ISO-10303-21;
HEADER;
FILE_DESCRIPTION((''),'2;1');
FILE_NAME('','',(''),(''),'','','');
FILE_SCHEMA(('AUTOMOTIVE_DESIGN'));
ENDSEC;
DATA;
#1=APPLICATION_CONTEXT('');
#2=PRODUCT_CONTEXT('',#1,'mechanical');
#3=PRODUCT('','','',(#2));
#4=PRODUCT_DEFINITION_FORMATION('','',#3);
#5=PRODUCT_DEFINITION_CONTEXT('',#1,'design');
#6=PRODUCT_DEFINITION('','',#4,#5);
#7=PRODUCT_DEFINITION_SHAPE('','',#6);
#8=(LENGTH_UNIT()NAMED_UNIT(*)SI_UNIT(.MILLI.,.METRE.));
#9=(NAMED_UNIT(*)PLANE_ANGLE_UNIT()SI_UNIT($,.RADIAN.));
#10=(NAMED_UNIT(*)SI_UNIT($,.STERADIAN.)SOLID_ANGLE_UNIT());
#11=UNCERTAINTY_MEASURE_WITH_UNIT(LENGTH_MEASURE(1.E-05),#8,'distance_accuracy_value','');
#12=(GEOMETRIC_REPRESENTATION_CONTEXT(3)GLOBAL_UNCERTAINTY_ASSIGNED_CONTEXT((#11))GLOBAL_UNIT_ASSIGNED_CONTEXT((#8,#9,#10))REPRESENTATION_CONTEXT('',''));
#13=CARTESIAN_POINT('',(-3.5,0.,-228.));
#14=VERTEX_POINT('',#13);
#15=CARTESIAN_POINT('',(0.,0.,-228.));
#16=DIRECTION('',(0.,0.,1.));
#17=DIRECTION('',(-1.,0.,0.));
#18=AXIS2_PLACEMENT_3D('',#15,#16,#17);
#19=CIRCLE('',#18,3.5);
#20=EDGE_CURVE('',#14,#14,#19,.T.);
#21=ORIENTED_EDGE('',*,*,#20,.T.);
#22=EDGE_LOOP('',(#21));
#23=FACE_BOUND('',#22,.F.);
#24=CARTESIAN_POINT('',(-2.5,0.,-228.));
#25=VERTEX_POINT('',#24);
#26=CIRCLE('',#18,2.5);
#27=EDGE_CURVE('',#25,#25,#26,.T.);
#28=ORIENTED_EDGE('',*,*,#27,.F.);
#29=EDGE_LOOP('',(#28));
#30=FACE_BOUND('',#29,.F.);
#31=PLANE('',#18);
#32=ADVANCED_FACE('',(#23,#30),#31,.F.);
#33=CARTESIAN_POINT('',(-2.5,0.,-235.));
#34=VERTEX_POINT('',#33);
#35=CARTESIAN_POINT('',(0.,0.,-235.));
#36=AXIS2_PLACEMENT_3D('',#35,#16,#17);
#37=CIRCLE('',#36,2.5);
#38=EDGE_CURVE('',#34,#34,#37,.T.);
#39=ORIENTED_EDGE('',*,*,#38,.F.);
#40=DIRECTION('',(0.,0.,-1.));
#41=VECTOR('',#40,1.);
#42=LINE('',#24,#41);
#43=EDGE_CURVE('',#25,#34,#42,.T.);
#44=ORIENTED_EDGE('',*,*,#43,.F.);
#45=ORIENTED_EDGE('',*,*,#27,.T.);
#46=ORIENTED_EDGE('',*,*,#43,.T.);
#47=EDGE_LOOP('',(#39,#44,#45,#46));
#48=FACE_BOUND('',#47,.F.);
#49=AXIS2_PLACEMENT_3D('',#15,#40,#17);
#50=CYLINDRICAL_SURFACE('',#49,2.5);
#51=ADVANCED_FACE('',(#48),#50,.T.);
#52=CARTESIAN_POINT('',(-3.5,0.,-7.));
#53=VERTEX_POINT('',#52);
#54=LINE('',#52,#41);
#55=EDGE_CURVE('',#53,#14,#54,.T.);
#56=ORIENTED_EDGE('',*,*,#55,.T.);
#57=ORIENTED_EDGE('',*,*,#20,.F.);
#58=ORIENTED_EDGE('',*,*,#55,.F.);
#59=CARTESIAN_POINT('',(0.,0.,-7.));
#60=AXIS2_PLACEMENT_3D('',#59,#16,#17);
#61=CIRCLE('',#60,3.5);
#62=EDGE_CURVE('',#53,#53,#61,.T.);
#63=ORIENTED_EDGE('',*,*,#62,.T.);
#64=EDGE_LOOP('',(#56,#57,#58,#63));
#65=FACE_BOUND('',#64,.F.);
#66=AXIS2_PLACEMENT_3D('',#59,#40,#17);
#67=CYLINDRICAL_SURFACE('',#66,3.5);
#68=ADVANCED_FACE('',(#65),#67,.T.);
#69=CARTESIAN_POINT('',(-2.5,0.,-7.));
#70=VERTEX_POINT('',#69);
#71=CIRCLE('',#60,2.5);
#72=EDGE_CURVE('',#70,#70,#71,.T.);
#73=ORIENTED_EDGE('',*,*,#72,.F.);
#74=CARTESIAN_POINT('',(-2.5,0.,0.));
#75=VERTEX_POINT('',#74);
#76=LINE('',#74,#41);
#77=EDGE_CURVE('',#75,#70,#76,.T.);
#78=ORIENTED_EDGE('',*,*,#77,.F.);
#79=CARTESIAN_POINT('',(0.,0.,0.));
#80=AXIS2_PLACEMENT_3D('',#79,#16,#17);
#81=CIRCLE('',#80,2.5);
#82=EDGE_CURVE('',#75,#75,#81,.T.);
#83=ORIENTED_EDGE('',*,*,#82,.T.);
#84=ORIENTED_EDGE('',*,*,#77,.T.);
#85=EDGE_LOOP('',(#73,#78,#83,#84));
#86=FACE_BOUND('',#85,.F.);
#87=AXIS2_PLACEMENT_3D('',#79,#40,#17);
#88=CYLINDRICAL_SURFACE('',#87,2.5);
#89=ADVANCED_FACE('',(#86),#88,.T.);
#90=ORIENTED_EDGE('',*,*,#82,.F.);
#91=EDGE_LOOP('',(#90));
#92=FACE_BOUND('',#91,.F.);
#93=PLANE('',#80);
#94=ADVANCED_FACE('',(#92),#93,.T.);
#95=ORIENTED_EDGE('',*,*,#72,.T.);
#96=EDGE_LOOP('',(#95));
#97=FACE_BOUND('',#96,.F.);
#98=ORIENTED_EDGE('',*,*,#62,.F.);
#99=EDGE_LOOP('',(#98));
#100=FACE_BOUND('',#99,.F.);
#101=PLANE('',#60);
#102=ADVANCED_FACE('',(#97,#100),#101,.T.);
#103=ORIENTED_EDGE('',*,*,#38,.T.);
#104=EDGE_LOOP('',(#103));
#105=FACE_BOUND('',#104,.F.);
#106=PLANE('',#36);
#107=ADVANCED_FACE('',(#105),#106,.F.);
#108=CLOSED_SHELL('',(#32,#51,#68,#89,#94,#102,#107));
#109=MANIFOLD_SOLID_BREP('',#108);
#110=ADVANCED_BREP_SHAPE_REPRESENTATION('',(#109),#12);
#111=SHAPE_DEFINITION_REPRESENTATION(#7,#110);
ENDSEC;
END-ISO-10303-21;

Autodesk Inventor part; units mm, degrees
ref_plane "YZ Plane" through (0, 0, 0) normal (1, 0, 0) x (0, 1, 0)
ref_plane "XZ Plane" through (0, 0, 0) normal (0, 1, 0) x (-1, 0, 0)
ref_plane "XY Plane" through (0, 0, 0) normal (0, 0, 1) x (1, 0, 0)
sketch "Skizze1" plane through (0, 0, 0) normal (0, 1, 0) x (-1, 0, 0)
  line L0 (0, 0) -> (2.5, 0)
  line L1 (2.5, 0) -> (2.5, -7)
  line L2 (2.5, -7) -> (3.5, -7)
  line L3 (3.5, -7) -> (3.5, -228)
  line L4 (3.5, -228) -> (2.5, -228)
  line L5 (2.5, -228) -> (2.5, -235)
  line L6 (2.5, -235) -> (0, -235)
  line L7 (0, -235) -> (0, 0)
  dimension "d0" = 7
  dimension "d1" = 5
  dimension "d2" = 7
  dimension "d3" = 7
  dimension "d4" = 235
revolve "Umdrehung1" add sketch "Skizze1" angle 360 about axis through (0, 0, -235) along (0, 0, 1)
equation "\"d3\" = d2"
properties part number "2071"
